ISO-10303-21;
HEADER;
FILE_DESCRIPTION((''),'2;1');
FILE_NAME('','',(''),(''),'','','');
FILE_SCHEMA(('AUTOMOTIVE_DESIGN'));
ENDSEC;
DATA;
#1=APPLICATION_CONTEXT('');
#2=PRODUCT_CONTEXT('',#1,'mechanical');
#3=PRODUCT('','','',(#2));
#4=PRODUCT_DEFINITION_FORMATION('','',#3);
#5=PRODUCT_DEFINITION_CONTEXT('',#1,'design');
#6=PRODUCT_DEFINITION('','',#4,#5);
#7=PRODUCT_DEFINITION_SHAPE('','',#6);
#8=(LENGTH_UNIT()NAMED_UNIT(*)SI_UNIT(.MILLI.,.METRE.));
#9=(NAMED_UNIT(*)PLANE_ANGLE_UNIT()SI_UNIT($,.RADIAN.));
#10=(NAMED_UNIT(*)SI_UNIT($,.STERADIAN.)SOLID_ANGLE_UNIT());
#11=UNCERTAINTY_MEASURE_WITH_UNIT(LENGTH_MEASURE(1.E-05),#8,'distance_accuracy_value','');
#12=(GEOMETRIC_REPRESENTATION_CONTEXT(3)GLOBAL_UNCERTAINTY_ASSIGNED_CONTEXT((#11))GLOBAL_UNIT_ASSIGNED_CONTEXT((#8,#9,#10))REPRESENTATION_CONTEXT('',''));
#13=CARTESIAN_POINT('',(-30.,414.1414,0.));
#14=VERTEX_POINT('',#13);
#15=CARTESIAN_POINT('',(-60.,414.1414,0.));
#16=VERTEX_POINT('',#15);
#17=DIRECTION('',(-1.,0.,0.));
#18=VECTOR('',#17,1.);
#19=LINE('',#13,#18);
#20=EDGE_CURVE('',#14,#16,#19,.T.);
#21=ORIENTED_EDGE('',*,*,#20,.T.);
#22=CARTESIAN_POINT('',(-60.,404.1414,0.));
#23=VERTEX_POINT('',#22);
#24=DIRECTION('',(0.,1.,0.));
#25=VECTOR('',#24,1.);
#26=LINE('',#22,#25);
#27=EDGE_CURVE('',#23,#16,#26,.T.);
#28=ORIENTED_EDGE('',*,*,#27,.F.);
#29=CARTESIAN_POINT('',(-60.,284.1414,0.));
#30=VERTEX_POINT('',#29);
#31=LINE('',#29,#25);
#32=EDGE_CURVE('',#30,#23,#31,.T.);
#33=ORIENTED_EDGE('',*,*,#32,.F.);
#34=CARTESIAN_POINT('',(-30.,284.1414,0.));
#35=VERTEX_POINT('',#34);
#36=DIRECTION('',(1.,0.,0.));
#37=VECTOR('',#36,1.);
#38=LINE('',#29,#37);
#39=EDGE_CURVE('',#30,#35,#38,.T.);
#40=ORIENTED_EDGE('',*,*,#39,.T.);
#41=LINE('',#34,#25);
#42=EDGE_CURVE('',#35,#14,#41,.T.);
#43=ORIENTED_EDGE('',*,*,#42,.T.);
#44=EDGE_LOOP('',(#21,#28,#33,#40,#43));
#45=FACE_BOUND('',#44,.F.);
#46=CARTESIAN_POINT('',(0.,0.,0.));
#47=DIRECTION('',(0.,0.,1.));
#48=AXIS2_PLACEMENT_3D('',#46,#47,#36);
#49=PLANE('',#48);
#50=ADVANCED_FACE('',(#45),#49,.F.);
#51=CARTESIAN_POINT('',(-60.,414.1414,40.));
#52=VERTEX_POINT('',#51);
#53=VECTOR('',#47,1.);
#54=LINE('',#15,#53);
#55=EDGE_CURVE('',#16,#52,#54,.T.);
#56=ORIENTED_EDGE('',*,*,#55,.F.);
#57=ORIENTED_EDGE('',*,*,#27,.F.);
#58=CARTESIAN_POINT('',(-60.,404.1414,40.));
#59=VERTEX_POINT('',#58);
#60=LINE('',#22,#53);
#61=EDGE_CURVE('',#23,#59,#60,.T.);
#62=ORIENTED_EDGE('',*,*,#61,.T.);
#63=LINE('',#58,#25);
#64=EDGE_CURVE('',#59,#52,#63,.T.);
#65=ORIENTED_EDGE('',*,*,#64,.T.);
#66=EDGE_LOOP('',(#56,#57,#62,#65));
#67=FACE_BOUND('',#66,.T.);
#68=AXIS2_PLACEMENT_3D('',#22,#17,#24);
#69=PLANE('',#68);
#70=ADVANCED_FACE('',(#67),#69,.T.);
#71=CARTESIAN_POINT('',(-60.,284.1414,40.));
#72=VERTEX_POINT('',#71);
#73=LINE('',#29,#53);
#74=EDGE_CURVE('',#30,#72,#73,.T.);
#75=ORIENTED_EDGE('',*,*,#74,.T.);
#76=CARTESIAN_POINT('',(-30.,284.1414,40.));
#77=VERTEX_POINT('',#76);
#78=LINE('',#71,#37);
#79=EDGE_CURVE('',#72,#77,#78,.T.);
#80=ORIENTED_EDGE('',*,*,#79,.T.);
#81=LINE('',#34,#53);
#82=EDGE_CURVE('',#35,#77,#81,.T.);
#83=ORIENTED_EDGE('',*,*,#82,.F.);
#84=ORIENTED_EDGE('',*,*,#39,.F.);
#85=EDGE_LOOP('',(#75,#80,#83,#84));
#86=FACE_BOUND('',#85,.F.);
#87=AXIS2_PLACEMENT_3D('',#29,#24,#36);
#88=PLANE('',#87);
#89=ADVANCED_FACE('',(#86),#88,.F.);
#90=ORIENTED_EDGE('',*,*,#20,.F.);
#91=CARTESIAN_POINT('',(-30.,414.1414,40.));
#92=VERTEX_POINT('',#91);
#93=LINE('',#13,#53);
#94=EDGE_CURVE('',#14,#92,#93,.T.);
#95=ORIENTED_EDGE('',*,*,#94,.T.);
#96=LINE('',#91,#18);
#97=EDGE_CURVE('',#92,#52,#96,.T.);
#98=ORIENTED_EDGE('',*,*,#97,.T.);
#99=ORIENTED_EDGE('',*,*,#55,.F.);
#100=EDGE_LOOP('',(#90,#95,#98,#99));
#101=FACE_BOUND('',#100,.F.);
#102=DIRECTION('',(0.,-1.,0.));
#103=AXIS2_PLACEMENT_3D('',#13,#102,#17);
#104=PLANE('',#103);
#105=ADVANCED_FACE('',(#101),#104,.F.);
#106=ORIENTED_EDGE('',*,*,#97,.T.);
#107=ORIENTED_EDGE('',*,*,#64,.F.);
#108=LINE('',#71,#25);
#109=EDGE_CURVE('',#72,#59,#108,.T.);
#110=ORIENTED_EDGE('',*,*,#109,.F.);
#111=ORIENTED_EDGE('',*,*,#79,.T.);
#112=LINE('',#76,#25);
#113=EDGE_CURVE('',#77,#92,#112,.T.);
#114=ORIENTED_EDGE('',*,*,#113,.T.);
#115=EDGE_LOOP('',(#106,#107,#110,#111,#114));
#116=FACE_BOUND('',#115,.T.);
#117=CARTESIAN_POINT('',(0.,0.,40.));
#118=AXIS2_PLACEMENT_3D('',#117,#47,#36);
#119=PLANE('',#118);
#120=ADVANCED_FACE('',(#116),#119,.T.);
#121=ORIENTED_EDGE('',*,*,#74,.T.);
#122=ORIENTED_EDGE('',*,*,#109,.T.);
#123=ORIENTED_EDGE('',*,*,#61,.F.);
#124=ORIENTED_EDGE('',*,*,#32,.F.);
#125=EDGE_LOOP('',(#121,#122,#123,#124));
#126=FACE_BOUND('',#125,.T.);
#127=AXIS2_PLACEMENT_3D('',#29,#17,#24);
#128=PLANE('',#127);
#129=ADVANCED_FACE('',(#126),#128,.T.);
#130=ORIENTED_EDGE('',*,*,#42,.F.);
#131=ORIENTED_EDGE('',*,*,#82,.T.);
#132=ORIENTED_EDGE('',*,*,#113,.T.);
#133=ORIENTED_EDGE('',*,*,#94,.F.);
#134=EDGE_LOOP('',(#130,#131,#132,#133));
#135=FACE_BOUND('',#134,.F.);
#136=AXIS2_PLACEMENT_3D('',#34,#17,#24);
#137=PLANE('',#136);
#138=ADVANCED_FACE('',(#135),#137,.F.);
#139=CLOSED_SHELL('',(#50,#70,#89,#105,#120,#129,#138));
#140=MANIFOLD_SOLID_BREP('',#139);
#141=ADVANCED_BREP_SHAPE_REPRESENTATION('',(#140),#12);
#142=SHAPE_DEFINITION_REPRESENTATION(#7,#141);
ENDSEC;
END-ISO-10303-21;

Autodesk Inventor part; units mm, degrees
ref_plane "YZ Plane" through (0, 0, 0) normal (1, 0, 0) x (0, 1, 0)
ref_plane "XZ Plane" through (0, 0, 0) normal (0, 1, 0) x (-1, 0, 0)
ref_plane "XY Plane" through (0, 0, 0) normal (0, 0, 1) x (1, 0, 0)
ref_plane "Work Plane1" through (0, 0, 0) normal (0, 0, 1) x (1, 0, 0)
sketch "Sketch1" plane through (0, 0, 0) normal (0, 0, 1) x (1, 0, 0)
  line L0 (-10, -149.0271) -> (-140, -149.0271) projected
  line L1 (-10, -149.0271) -> (-10, 350) projected
  spline S0 degree 3 poles (-55.3463, 478.2829) (-54.4199, 477.2402) (-53.5281, 476.1834) (-41.973, 461.9491) (-29.8681, 440.3891) (-13.701, 393.2059) (-10, 371.2252) (-10, 350) knots -13.956375 -13.956375 -13.956375 -13.956375 -13.398469 -13.398469 -6.367551 -6.367551 0 0 0 0 projected
  line L2 (-55.3463, 478.2829) -> (-94.6537, 478.2829) projected
  spline S1 degree 3 poles (-140, 350) (-140, 366.1219) (-137.8703, 382.0269) (-130.4211, 411.7266) (-125.3688, 425.7323) (-111.9139, 454.5302) (-103.4651, 468.0052) (-95.3677, 477.4713) (-95.011, 477.8807) (-94.6537, 478.2829) knots -5.300276 -5.300276 -5.300276 -5.300276 -3.93351 -3.93351 -2.695997 -2.695997 -1.209053 -1.209053 -1.140685 -1.140685 -1.140685 -1.140685 projected
  line L3 (-140, -149.0271) -> (-140, 350) projected
  line L4 (-90, 404.1414) -> (-60, 404.1414) projected
  line L5 (-60, 404.1414) -> (-60, 434.1414) projected
  line L6 (-60, 434.1414) -> (-90, 434.1414) projected
  line L7 (-90, 434.1414) -> (-90, 404.1414) projected
  line L8 (-90, 284.1414) -> (-60, 284.1414) projected
  line L9 (-60, 284.1414) -> (-60, 404.1414) projected
  line L10 (-60, 404.1414) -> (-90, 404.1414) projected
  line L11 (-90, 404.1414) -> (-90, 284.1414) projected
  line L12 (-60, 284.1414) -> (-30, 284.1414)
  line L13 (-30, 284.1414) -> (-30, 414.1414)
  line L14 (-30, 414.1414) -> (-60, 414.1414)
  line L15 (-60, 414.1414) -> (-60, 284.1414)
  point P0 (0, 0)
  dimension "d0" = 30
  dimension "d1" = 130
extrude "Extrusion1" add sketch "Sketch1" along normal blind 40 contours L5 L14 L13 L12 L9
properties part number "Avionics1"
